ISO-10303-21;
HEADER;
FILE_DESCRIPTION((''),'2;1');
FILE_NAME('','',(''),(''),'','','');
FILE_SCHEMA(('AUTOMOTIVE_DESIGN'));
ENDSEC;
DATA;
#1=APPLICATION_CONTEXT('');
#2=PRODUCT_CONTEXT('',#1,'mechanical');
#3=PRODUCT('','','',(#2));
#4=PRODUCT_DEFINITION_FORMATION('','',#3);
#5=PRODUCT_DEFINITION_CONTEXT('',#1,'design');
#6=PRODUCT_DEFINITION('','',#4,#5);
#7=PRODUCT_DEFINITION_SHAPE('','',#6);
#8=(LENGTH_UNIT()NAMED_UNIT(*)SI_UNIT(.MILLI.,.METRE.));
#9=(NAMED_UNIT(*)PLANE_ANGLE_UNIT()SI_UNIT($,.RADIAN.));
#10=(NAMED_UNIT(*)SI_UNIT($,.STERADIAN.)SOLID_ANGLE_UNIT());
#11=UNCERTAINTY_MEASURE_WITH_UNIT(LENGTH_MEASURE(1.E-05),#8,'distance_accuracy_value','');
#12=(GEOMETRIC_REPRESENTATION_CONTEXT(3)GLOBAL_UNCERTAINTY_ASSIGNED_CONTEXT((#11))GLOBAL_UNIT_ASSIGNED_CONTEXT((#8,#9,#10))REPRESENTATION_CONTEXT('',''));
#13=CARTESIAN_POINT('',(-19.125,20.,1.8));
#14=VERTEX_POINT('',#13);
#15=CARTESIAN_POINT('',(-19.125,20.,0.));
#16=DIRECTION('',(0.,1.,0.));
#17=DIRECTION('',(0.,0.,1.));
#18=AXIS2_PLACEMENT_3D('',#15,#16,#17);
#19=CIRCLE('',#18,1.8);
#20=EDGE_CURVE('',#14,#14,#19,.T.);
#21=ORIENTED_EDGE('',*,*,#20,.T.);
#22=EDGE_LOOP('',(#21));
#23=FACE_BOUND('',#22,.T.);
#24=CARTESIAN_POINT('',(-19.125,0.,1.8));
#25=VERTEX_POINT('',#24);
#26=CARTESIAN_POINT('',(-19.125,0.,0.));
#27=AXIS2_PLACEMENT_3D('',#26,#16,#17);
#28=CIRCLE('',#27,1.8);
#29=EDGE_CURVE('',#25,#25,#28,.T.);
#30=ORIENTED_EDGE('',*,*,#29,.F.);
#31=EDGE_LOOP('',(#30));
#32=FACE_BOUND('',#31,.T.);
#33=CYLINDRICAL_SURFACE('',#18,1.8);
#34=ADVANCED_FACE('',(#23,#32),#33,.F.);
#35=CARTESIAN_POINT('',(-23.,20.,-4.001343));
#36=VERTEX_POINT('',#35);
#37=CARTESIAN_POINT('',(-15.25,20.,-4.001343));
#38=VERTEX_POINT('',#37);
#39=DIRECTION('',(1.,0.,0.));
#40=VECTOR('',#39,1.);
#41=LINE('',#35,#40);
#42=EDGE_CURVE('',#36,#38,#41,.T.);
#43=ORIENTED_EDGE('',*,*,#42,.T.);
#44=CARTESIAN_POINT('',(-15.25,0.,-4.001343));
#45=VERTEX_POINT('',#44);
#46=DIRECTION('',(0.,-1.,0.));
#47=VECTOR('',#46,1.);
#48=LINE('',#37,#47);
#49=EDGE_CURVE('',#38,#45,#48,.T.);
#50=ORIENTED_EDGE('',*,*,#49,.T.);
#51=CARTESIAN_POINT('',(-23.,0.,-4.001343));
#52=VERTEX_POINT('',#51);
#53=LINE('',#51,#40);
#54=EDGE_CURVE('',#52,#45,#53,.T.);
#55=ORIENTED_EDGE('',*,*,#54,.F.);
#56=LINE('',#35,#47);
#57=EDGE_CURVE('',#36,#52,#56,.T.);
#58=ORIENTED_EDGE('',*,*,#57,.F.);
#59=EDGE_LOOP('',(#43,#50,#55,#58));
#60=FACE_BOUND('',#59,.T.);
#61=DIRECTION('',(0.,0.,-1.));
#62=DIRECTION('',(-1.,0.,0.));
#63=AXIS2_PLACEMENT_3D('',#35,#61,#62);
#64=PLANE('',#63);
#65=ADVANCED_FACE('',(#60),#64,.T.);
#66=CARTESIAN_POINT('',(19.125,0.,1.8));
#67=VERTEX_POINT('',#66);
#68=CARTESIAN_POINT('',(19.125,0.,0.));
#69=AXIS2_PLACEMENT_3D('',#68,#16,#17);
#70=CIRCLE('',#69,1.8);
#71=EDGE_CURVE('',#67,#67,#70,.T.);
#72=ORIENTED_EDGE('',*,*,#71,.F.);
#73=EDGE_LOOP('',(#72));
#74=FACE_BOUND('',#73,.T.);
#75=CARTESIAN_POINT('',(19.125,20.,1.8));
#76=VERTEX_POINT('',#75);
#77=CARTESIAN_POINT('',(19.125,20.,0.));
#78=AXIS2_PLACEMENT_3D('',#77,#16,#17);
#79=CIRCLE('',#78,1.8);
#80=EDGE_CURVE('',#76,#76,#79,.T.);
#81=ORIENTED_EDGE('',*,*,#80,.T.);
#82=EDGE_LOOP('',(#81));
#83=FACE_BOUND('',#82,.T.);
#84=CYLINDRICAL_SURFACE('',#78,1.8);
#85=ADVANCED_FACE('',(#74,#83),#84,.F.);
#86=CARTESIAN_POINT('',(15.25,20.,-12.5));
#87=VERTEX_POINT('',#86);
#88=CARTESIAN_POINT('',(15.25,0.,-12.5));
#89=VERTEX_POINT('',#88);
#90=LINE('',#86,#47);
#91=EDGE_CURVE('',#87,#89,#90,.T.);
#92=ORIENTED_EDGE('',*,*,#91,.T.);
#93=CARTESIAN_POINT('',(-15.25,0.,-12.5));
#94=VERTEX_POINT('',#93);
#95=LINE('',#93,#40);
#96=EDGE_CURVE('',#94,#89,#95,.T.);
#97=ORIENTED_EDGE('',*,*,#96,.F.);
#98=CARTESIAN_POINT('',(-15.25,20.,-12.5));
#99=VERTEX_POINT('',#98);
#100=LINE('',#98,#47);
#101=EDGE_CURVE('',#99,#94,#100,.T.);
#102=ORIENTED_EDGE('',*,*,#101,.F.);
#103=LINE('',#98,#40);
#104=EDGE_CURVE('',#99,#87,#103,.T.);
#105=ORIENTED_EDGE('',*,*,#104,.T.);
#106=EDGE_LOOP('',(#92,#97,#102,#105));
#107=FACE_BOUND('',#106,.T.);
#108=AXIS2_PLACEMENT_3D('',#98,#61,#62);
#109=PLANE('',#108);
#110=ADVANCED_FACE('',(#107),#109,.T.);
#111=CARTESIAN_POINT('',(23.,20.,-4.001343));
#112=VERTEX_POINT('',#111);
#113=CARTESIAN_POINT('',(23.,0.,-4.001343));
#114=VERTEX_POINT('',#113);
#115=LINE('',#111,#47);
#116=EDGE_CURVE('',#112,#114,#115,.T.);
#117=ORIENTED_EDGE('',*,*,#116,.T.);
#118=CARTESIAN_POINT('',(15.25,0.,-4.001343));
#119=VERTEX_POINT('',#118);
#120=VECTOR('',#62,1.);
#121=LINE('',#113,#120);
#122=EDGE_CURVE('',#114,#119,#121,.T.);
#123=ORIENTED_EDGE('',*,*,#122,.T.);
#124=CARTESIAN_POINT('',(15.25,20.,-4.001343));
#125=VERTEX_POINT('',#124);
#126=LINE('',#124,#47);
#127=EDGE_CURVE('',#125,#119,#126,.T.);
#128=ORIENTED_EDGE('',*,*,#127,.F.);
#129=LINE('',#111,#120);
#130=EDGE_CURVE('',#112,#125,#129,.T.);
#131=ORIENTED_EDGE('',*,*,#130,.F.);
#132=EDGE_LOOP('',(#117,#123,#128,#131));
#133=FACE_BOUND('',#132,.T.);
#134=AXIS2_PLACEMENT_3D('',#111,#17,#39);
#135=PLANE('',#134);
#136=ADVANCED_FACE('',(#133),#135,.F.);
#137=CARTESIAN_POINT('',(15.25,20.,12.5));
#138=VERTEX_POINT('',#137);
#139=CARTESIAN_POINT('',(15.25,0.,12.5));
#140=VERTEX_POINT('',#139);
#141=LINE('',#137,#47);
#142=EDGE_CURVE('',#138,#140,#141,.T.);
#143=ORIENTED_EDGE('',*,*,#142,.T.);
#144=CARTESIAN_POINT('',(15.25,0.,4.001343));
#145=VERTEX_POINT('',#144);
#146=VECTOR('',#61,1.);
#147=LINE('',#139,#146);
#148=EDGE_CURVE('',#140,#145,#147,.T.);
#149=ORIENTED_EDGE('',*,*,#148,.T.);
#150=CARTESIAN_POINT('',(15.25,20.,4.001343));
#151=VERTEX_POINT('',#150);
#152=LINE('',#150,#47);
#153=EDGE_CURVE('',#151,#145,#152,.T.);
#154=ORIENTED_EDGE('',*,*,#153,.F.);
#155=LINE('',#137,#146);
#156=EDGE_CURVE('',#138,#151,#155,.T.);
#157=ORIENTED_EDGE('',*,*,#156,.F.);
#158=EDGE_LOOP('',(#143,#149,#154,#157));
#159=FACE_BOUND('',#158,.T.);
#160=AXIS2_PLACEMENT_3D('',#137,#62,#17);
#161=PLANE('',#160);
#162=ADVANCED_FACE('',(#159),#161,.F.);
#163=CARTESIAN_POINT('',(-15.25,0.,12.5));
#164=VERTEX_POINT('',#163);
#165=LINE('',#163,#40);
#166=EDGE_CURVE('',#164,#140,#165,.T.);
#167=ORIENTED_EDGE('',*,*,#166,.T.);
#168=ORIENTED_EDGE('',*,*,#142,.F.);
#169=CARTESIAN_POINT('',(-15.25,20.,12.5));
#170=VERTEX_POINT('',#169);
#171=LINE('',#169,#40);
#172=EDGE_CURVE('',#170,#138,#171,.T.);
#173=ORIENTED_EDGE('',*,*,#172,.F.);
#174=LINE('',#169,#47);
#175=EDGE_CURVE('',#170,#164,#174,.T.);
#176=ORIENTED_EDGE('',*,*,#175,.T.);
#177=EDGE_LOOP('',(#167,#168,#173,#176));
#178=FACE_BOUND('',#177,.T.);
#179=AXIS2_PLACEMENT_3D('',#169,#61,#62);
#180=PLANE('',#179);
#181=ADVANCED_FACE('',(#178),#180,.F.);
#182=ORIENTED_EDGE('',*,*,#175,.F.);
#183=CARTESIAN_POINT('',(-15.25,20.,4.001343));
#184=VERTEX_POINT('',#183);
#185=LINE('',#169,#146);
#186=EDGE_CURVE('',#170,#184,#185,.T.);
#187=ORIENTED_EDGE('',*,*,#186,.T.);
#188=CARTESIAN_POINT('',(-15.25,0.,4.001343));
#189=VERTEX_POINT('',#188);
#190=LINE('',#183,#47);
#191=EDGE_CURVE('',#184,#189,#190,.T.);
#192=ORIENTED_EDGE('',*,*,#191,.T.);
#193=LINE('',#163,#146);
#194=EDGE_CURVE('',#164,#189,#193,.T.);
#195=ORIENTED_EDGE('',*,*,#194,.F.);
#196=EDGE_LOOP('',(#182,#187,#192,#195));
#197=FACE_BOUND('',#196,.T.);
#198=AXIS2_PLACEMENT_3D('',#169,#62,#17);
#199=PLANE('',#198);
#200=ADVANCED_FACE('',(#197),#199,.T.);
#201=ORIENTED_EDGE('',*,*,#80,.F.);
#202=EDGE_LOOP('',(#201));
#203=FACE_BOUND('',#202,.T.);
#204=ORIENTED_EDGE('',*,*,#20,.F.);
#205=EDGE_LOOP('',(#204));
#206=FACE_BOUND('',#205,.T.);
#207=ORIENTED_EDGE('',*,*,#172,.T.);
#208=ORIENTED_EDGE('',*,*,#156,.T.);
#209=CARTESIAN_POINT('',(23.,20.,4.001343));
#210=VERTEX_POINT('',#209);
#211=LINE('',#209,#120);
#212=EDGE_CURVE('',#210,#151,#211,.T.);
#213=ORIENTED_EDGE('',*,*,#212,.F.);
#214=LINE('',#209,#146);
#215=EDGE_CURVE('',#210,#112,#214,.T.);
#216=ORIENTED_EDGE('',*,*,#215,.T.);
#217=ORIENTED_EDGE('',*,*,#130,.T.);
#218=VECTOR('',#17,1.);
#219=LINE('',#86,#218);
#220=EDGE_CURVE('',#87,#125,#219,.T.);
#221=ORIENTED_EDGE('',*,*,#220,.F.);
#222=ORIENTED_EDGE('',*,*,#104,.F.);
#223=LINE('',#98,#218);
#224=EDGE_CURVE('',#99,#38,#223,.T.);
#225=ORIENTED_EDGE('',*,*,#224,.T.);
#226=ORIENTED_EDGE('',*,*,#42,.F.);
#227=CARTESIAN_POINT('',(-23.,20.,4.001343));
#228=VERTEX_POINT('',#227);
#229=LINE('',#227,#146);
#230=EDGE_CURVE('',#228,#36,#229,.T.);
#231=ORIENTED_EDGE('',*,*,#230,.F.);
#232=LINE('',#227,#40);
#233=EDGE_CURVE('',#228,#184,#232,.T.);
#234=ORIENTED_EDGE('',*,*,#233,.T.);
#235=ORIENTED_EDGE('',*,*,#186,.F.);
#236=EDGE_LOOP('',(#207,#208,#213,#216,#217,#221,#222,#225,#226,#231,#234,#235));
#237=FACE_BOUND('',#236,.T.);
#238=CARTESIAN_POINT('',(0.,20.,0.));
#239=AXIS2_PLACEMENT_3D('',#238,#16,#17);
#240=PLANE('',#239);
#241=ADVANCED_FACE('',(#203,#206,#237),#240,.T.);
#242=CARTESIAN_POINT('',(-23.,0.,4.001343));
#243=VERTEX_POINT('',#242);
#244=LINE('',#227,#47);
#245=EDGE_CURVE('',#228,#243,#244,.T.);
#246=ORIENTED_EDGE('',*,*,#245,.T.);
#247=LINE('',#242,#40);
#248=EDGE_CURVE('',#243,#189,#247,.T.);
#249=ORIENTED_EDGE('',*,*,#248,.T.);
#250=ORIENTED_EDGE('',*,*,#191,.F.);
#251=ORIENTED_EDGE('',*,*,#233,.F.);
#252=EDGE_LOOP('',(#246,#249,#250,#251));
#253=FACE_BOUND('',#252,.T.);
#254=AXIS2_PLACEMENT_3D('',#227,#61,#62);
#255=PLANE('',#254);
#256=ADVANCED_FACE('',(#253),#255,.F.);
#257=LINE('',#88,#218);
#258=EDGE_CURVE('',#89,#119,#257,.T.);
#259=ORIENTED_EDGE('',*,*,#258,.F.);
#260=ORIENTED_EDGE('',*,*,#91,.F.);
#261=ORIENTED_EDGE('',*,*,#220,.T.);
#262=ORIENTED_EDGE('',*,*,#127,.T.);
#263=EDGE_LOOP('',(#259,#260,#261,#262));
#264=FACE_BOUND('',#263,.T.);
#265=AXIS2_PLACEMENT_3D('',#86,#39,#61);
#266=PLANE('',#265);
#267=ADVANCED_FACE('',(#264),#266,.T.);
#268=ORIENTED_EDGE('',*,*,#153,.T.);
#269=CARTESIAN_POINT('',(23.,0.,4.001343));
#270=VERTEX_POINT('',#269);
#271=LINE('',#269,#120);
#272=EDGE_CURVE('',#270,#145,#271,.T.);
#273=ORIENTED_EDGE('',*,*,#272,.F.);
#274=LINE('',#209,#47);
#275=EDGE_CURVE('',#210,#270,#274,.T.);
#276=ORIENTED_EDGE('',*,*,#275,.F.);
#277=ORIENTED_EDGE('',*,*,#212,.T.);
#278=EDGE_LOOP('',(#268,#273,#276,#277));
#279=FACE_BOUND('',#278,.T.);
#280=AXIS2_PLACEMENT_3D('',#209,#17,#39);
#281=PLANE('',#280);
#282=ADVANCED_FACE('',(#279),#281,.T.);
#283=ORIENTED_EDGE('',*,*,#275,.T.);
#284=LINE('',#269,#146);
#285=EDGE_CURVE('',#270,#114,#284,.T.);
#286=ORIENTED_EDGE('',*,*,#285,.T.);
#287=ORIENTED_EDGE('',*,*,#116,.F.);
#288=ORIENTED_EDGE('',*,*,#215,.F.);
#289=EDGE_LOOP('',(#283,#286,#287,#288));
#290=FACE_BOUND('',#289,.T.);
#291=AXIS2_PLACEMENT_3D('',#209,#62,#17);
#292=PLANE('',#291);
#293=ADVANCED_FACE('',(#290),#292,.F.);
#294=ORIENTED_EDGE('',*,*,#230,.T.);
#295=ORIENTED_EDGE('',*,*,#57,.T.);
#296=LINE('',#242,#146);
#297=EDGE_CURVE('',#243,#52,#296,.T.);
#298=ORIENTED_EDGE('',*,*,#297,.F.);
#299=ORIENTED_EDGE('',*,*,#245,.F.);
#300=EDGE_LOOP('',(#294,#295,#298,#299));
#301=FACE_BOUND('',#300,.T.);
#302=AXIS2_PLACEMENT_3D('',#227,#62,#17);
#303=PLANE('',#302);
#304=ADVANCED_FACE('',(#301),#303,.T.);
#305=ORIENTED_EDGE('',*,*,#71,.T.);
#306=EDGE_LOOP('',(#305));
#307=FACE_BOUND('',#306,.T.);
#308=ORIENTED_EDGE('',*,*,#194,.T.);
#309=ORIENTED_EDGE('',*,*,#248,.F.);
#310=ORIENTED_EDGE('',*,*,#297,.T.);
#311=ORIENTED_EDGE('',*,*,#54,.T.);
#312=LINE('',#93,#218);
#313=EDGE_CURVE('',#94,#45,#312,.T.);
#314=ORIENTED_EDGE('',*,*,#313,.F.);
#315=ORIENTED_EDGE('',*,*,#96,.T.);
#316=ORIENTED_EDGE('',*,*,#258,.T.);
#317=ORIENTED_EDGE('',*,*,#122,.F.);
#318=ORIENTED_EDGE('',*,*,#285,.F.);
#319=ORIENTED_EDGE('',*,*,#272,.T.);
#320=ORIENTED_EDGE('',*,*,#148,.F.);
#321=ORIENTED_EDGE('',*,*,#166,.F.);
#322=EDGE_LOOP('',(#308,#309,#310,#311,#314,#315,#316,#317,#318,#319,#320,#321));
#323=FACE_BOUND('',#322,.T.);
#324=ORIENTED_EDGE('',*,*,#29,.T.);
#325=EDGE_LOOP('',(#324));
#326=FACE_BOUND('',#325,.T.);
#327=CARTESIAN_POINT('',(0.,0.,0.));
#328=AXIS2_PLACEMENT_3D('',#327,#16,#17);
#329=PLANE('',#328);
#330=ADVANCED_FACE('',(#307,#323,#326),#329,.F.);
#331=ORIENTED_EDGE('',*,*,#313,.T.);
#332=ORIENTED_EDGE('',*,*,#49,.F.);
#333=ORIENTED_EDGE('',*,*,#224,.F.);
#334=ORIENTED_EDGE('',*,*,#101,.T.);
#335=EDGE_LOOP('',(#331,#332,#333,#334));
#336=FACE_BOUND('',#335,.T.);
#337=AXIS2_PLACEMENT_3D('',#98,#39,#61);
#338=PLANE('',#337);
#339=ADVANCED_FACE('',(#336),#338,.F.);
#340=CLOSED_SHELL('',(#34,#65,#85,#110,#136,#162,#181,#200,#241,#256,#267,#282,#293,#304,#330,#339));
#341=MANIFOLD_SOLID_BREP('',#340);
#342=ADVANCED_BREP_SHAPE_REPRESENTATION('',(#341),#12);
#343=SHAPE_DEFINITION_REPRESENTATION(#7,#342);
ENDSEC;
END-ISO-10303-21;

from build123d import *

# Parameters (mm, degrees)
BOSS_EXTRU_1_DEPTH = 20
D_GAGEMENT_M31_D   = 3.6


with BuildPart() as part:
    # Esquisse1 → Boss.-Extru.1 (new body)
    with BuildSketch(Plane(origin=(0, 0, 0), x_dir=(1, 0, 0), z_dir=(0, 1, 0))):
        Polygon((-15.25, -12.5), (15.25, -12.5), (15.25, -4.001343409), (23, -4.001343409), (23, 4.001343409), (15.25, 4.001343409), (15.25, 12.5), (-15.25, 12.5), (-15.25, 4.001343409), (-23, 4.001343409), (-23, -4.001343409), (-15.25, -4.001343409), align=None)
    extrude(amount=BOSS_EXTRU_1_DEPTH)

    # Dégagement M31 (through all)
    with Locations(Plane(origin=(0, 20, 0), x_dir=(1, 0, 0), z_dir=(0, 1, 0))):
        with Locations((-19.125, 0), (19.125, 0)):
            Hole(D_GAGEMENT_M31_D / 2)


solid = part.part
